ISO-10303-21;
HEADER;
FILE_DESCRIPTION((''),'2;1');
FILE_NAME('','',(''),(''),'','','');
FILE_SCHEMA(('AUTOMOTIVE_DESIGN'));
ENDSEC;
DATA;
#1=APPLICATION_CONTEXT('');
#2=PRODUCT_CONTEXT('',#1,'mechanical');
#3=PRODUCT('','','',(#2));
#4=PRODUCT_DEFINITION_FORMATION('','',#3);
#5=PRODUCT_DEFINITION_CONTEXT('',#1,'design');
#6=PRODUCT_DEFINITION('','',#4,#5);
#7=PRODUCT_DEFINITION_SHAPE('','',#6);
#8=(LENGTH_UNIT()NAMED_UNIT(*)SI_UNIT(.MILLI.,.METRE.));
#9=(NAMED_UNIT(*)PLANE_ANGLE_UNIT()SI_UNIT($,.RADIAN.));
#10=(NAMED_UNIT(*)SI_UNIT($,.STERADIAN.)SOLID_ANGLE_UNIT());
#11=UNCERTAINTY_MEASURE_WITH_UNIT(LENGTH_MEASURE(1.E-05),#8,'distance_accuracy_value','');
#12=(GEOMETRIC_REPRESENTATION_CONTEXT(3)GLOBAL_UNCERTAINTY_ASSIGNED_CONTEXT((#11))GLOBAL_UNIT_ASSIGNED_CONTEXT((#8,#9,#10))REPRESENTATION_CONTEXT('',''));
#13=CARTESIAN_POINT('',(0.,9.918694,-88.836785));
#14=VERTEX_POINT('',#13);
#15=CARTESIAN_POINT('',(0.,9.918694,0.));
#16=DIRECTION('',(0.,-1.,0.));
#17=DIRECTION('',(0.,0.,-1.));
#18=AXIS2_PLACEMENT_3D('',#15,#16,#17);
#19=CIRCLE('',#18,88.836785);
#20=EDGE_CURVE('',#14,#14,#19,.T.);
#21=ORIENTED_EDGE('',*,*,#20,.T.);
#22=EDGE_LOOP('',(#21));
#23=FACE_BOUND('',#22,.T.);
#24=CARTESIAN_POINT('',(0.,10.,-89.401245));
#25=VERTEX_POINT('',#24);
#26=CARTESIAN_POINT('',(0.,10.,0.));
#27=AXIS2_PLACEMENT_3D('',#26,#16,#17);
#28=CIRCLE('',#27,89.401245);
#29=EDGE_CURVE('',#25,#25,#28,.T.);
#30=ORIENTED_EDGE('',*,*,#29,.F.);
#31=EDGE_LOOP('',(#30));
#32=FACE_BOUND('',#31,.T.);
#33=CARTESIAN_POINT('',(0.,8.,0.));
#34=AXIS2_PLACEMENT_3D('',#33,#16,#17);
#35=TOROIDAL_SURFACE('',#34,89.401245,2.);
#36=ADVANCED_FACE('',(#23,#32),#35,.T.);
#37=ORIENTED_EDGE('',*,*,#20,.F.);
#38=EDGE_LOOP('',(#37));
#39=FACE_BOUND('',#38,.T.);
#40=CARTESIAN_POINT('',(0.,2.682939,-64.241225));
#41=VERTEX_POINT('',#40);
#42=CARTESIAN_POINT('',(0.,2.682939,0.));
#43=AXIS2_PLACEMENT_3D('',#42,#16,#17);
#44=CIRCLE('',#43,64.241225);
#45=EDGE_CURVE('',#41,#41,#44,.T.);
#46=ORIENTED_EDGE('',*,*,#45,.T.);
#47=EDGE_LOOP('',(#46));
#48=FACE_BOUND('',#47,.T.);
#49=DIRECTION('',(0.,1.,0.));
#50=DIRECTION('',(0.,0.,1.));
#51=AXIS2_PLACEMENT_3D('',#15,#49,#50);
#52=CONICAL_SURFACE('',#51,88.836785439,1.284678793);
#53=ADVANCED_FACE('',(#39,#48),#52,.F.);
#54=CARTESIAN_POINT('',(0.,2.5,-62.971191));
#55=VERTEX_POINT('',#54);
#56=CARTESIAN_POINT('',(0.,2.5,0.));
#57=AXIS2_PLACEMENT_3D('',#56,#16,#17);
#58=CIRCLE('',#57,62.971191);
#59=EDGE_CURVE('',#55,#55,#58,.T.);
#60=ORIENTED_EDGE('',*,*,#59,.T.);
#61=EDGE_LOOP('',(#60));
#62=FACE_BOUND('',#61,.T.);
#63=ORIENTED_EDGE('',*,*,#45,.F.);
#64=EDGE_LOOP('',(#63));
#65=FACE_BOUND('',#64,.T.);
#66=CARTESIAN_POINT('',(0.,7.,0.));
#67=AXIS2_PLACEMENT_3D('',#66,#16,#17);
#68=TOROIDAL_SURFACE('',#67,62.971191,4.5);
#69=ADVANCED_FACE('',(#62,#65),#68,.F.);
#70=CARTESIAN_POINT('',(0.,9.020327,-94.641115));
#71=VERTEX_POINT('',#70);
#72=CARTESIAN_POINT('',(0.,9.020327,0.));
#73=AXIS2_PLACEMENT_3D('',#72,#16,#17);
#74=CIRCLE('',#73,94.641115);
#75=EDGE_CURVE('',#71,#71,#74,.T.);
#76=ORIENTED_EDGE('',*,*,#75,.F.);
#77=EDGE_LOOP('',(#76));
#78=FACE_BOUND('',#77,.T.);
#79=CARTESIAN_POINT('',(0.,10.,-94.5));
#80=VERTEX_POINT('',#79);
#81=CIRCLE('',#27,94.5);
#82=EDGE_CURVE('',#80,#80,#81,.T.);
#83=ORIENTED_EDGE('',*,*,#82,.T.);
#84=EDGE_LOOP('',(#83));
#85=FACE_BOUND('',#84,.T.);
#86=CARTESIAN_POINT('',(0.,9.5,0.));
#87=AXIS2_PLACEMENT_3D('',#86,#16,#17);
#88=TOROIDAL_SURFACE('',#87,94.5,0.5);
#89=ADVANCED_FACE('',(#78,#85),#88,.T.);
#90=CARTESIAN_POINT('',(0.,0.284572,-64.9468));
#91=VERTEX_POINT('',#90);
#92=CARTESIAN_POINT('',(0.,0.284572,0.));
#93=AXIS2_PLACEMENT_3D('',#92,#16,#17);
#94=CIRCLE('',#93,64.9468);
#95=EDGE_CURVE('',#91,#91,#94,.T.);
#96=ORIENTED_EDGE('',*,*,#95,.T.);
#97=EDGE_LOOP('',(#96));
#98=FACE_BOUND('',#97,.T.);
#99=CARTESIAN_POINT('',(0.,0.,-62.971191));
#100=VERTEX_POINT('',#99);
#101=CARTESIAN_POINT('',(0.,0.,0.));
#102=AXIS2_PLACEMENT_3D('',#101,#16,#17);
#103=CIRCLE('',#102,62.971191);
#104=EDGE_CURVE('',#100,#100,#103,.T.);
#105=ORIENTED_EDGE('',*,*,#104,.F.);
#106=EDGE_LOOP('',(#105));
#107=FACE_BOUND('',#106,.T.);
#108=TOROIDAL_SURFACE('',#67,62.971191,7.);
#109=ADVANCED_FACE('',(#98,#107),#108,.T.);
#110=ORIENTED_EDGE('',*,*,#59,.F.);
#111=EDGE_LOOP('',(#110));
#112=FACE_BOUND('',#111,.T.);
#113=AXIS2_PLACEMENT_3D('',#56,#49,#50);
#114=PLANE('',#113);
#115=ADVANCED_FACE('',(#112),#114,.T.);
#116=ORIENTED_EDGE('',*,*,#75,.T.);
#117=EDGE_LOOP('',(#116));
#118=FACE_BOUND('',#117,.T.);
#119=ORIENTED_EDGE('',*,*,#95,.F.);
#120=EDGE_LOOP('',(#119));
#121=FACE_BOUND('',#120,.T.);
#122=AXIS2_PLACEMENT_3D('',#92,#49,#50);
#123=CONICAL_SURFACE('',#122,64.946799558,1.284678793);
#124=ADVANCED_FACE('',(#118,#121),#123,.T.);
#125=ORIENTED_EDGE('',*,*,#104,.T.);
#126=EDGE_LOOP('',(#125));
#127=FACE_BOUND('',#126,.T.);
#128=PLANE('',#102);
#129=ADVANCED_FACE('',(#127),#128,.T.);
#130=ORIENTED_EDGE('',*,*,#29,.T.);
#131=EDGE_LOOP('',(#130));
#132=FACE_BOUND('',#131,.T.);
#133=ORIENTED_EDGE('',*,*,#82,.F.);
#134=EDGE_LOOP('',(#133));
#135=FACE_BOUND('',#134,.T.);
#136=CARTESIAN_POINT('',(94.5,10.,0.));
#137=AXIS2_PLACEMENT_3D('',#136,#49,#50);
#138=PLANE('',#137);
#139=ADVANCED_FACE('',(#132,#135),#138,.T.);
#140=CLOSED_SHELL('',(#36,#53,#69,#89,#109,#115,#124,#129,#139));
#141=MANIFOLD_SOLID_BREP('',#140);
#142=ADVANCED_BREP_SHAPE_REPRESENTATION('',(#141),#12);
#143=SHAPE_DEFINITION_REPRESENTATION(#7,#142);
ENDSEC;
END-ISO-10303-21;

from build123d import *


with BuildPart() as part:
    # ProfileS → Profile (revolve)
    with BuildSketch(Plane.XY):
        with BuildLine():
            Line((0, 0), (62.971191448, 0))
            ThreePointArc((62.971191448, 0), (63.969190528, 0.071508257), (64.946799558, 0.284572047))
            Line((64.946799558, 0.284572047), (94.641114865, 9.020326575))
            ThreePointArc((94.641114865, 9.020326575), (94.994892267, 9.571285649), (94.5, 10))
            Line((94.5, 10), (89.401244899, 10))
            ThreePointArc((89.401244899, 10), (89.116102305, 9.979569069), (88.836785439, 9.918693701))
            Line((88.836785439, 9.918693701), (64.241225233, 2.682939173))
            ThreePointArc((64.241225233, 2.682939173), (63.612762285, 2.545969594), (62.971191448, 2.5))
            Line((62.971191448, 2.5), (0, 2.5))
            Line((0, 2.5), (0, 0))
        make_face()
    revolve(axis=Axis((0, 0, 0), (0, 1, 0)))


solid = part.part
